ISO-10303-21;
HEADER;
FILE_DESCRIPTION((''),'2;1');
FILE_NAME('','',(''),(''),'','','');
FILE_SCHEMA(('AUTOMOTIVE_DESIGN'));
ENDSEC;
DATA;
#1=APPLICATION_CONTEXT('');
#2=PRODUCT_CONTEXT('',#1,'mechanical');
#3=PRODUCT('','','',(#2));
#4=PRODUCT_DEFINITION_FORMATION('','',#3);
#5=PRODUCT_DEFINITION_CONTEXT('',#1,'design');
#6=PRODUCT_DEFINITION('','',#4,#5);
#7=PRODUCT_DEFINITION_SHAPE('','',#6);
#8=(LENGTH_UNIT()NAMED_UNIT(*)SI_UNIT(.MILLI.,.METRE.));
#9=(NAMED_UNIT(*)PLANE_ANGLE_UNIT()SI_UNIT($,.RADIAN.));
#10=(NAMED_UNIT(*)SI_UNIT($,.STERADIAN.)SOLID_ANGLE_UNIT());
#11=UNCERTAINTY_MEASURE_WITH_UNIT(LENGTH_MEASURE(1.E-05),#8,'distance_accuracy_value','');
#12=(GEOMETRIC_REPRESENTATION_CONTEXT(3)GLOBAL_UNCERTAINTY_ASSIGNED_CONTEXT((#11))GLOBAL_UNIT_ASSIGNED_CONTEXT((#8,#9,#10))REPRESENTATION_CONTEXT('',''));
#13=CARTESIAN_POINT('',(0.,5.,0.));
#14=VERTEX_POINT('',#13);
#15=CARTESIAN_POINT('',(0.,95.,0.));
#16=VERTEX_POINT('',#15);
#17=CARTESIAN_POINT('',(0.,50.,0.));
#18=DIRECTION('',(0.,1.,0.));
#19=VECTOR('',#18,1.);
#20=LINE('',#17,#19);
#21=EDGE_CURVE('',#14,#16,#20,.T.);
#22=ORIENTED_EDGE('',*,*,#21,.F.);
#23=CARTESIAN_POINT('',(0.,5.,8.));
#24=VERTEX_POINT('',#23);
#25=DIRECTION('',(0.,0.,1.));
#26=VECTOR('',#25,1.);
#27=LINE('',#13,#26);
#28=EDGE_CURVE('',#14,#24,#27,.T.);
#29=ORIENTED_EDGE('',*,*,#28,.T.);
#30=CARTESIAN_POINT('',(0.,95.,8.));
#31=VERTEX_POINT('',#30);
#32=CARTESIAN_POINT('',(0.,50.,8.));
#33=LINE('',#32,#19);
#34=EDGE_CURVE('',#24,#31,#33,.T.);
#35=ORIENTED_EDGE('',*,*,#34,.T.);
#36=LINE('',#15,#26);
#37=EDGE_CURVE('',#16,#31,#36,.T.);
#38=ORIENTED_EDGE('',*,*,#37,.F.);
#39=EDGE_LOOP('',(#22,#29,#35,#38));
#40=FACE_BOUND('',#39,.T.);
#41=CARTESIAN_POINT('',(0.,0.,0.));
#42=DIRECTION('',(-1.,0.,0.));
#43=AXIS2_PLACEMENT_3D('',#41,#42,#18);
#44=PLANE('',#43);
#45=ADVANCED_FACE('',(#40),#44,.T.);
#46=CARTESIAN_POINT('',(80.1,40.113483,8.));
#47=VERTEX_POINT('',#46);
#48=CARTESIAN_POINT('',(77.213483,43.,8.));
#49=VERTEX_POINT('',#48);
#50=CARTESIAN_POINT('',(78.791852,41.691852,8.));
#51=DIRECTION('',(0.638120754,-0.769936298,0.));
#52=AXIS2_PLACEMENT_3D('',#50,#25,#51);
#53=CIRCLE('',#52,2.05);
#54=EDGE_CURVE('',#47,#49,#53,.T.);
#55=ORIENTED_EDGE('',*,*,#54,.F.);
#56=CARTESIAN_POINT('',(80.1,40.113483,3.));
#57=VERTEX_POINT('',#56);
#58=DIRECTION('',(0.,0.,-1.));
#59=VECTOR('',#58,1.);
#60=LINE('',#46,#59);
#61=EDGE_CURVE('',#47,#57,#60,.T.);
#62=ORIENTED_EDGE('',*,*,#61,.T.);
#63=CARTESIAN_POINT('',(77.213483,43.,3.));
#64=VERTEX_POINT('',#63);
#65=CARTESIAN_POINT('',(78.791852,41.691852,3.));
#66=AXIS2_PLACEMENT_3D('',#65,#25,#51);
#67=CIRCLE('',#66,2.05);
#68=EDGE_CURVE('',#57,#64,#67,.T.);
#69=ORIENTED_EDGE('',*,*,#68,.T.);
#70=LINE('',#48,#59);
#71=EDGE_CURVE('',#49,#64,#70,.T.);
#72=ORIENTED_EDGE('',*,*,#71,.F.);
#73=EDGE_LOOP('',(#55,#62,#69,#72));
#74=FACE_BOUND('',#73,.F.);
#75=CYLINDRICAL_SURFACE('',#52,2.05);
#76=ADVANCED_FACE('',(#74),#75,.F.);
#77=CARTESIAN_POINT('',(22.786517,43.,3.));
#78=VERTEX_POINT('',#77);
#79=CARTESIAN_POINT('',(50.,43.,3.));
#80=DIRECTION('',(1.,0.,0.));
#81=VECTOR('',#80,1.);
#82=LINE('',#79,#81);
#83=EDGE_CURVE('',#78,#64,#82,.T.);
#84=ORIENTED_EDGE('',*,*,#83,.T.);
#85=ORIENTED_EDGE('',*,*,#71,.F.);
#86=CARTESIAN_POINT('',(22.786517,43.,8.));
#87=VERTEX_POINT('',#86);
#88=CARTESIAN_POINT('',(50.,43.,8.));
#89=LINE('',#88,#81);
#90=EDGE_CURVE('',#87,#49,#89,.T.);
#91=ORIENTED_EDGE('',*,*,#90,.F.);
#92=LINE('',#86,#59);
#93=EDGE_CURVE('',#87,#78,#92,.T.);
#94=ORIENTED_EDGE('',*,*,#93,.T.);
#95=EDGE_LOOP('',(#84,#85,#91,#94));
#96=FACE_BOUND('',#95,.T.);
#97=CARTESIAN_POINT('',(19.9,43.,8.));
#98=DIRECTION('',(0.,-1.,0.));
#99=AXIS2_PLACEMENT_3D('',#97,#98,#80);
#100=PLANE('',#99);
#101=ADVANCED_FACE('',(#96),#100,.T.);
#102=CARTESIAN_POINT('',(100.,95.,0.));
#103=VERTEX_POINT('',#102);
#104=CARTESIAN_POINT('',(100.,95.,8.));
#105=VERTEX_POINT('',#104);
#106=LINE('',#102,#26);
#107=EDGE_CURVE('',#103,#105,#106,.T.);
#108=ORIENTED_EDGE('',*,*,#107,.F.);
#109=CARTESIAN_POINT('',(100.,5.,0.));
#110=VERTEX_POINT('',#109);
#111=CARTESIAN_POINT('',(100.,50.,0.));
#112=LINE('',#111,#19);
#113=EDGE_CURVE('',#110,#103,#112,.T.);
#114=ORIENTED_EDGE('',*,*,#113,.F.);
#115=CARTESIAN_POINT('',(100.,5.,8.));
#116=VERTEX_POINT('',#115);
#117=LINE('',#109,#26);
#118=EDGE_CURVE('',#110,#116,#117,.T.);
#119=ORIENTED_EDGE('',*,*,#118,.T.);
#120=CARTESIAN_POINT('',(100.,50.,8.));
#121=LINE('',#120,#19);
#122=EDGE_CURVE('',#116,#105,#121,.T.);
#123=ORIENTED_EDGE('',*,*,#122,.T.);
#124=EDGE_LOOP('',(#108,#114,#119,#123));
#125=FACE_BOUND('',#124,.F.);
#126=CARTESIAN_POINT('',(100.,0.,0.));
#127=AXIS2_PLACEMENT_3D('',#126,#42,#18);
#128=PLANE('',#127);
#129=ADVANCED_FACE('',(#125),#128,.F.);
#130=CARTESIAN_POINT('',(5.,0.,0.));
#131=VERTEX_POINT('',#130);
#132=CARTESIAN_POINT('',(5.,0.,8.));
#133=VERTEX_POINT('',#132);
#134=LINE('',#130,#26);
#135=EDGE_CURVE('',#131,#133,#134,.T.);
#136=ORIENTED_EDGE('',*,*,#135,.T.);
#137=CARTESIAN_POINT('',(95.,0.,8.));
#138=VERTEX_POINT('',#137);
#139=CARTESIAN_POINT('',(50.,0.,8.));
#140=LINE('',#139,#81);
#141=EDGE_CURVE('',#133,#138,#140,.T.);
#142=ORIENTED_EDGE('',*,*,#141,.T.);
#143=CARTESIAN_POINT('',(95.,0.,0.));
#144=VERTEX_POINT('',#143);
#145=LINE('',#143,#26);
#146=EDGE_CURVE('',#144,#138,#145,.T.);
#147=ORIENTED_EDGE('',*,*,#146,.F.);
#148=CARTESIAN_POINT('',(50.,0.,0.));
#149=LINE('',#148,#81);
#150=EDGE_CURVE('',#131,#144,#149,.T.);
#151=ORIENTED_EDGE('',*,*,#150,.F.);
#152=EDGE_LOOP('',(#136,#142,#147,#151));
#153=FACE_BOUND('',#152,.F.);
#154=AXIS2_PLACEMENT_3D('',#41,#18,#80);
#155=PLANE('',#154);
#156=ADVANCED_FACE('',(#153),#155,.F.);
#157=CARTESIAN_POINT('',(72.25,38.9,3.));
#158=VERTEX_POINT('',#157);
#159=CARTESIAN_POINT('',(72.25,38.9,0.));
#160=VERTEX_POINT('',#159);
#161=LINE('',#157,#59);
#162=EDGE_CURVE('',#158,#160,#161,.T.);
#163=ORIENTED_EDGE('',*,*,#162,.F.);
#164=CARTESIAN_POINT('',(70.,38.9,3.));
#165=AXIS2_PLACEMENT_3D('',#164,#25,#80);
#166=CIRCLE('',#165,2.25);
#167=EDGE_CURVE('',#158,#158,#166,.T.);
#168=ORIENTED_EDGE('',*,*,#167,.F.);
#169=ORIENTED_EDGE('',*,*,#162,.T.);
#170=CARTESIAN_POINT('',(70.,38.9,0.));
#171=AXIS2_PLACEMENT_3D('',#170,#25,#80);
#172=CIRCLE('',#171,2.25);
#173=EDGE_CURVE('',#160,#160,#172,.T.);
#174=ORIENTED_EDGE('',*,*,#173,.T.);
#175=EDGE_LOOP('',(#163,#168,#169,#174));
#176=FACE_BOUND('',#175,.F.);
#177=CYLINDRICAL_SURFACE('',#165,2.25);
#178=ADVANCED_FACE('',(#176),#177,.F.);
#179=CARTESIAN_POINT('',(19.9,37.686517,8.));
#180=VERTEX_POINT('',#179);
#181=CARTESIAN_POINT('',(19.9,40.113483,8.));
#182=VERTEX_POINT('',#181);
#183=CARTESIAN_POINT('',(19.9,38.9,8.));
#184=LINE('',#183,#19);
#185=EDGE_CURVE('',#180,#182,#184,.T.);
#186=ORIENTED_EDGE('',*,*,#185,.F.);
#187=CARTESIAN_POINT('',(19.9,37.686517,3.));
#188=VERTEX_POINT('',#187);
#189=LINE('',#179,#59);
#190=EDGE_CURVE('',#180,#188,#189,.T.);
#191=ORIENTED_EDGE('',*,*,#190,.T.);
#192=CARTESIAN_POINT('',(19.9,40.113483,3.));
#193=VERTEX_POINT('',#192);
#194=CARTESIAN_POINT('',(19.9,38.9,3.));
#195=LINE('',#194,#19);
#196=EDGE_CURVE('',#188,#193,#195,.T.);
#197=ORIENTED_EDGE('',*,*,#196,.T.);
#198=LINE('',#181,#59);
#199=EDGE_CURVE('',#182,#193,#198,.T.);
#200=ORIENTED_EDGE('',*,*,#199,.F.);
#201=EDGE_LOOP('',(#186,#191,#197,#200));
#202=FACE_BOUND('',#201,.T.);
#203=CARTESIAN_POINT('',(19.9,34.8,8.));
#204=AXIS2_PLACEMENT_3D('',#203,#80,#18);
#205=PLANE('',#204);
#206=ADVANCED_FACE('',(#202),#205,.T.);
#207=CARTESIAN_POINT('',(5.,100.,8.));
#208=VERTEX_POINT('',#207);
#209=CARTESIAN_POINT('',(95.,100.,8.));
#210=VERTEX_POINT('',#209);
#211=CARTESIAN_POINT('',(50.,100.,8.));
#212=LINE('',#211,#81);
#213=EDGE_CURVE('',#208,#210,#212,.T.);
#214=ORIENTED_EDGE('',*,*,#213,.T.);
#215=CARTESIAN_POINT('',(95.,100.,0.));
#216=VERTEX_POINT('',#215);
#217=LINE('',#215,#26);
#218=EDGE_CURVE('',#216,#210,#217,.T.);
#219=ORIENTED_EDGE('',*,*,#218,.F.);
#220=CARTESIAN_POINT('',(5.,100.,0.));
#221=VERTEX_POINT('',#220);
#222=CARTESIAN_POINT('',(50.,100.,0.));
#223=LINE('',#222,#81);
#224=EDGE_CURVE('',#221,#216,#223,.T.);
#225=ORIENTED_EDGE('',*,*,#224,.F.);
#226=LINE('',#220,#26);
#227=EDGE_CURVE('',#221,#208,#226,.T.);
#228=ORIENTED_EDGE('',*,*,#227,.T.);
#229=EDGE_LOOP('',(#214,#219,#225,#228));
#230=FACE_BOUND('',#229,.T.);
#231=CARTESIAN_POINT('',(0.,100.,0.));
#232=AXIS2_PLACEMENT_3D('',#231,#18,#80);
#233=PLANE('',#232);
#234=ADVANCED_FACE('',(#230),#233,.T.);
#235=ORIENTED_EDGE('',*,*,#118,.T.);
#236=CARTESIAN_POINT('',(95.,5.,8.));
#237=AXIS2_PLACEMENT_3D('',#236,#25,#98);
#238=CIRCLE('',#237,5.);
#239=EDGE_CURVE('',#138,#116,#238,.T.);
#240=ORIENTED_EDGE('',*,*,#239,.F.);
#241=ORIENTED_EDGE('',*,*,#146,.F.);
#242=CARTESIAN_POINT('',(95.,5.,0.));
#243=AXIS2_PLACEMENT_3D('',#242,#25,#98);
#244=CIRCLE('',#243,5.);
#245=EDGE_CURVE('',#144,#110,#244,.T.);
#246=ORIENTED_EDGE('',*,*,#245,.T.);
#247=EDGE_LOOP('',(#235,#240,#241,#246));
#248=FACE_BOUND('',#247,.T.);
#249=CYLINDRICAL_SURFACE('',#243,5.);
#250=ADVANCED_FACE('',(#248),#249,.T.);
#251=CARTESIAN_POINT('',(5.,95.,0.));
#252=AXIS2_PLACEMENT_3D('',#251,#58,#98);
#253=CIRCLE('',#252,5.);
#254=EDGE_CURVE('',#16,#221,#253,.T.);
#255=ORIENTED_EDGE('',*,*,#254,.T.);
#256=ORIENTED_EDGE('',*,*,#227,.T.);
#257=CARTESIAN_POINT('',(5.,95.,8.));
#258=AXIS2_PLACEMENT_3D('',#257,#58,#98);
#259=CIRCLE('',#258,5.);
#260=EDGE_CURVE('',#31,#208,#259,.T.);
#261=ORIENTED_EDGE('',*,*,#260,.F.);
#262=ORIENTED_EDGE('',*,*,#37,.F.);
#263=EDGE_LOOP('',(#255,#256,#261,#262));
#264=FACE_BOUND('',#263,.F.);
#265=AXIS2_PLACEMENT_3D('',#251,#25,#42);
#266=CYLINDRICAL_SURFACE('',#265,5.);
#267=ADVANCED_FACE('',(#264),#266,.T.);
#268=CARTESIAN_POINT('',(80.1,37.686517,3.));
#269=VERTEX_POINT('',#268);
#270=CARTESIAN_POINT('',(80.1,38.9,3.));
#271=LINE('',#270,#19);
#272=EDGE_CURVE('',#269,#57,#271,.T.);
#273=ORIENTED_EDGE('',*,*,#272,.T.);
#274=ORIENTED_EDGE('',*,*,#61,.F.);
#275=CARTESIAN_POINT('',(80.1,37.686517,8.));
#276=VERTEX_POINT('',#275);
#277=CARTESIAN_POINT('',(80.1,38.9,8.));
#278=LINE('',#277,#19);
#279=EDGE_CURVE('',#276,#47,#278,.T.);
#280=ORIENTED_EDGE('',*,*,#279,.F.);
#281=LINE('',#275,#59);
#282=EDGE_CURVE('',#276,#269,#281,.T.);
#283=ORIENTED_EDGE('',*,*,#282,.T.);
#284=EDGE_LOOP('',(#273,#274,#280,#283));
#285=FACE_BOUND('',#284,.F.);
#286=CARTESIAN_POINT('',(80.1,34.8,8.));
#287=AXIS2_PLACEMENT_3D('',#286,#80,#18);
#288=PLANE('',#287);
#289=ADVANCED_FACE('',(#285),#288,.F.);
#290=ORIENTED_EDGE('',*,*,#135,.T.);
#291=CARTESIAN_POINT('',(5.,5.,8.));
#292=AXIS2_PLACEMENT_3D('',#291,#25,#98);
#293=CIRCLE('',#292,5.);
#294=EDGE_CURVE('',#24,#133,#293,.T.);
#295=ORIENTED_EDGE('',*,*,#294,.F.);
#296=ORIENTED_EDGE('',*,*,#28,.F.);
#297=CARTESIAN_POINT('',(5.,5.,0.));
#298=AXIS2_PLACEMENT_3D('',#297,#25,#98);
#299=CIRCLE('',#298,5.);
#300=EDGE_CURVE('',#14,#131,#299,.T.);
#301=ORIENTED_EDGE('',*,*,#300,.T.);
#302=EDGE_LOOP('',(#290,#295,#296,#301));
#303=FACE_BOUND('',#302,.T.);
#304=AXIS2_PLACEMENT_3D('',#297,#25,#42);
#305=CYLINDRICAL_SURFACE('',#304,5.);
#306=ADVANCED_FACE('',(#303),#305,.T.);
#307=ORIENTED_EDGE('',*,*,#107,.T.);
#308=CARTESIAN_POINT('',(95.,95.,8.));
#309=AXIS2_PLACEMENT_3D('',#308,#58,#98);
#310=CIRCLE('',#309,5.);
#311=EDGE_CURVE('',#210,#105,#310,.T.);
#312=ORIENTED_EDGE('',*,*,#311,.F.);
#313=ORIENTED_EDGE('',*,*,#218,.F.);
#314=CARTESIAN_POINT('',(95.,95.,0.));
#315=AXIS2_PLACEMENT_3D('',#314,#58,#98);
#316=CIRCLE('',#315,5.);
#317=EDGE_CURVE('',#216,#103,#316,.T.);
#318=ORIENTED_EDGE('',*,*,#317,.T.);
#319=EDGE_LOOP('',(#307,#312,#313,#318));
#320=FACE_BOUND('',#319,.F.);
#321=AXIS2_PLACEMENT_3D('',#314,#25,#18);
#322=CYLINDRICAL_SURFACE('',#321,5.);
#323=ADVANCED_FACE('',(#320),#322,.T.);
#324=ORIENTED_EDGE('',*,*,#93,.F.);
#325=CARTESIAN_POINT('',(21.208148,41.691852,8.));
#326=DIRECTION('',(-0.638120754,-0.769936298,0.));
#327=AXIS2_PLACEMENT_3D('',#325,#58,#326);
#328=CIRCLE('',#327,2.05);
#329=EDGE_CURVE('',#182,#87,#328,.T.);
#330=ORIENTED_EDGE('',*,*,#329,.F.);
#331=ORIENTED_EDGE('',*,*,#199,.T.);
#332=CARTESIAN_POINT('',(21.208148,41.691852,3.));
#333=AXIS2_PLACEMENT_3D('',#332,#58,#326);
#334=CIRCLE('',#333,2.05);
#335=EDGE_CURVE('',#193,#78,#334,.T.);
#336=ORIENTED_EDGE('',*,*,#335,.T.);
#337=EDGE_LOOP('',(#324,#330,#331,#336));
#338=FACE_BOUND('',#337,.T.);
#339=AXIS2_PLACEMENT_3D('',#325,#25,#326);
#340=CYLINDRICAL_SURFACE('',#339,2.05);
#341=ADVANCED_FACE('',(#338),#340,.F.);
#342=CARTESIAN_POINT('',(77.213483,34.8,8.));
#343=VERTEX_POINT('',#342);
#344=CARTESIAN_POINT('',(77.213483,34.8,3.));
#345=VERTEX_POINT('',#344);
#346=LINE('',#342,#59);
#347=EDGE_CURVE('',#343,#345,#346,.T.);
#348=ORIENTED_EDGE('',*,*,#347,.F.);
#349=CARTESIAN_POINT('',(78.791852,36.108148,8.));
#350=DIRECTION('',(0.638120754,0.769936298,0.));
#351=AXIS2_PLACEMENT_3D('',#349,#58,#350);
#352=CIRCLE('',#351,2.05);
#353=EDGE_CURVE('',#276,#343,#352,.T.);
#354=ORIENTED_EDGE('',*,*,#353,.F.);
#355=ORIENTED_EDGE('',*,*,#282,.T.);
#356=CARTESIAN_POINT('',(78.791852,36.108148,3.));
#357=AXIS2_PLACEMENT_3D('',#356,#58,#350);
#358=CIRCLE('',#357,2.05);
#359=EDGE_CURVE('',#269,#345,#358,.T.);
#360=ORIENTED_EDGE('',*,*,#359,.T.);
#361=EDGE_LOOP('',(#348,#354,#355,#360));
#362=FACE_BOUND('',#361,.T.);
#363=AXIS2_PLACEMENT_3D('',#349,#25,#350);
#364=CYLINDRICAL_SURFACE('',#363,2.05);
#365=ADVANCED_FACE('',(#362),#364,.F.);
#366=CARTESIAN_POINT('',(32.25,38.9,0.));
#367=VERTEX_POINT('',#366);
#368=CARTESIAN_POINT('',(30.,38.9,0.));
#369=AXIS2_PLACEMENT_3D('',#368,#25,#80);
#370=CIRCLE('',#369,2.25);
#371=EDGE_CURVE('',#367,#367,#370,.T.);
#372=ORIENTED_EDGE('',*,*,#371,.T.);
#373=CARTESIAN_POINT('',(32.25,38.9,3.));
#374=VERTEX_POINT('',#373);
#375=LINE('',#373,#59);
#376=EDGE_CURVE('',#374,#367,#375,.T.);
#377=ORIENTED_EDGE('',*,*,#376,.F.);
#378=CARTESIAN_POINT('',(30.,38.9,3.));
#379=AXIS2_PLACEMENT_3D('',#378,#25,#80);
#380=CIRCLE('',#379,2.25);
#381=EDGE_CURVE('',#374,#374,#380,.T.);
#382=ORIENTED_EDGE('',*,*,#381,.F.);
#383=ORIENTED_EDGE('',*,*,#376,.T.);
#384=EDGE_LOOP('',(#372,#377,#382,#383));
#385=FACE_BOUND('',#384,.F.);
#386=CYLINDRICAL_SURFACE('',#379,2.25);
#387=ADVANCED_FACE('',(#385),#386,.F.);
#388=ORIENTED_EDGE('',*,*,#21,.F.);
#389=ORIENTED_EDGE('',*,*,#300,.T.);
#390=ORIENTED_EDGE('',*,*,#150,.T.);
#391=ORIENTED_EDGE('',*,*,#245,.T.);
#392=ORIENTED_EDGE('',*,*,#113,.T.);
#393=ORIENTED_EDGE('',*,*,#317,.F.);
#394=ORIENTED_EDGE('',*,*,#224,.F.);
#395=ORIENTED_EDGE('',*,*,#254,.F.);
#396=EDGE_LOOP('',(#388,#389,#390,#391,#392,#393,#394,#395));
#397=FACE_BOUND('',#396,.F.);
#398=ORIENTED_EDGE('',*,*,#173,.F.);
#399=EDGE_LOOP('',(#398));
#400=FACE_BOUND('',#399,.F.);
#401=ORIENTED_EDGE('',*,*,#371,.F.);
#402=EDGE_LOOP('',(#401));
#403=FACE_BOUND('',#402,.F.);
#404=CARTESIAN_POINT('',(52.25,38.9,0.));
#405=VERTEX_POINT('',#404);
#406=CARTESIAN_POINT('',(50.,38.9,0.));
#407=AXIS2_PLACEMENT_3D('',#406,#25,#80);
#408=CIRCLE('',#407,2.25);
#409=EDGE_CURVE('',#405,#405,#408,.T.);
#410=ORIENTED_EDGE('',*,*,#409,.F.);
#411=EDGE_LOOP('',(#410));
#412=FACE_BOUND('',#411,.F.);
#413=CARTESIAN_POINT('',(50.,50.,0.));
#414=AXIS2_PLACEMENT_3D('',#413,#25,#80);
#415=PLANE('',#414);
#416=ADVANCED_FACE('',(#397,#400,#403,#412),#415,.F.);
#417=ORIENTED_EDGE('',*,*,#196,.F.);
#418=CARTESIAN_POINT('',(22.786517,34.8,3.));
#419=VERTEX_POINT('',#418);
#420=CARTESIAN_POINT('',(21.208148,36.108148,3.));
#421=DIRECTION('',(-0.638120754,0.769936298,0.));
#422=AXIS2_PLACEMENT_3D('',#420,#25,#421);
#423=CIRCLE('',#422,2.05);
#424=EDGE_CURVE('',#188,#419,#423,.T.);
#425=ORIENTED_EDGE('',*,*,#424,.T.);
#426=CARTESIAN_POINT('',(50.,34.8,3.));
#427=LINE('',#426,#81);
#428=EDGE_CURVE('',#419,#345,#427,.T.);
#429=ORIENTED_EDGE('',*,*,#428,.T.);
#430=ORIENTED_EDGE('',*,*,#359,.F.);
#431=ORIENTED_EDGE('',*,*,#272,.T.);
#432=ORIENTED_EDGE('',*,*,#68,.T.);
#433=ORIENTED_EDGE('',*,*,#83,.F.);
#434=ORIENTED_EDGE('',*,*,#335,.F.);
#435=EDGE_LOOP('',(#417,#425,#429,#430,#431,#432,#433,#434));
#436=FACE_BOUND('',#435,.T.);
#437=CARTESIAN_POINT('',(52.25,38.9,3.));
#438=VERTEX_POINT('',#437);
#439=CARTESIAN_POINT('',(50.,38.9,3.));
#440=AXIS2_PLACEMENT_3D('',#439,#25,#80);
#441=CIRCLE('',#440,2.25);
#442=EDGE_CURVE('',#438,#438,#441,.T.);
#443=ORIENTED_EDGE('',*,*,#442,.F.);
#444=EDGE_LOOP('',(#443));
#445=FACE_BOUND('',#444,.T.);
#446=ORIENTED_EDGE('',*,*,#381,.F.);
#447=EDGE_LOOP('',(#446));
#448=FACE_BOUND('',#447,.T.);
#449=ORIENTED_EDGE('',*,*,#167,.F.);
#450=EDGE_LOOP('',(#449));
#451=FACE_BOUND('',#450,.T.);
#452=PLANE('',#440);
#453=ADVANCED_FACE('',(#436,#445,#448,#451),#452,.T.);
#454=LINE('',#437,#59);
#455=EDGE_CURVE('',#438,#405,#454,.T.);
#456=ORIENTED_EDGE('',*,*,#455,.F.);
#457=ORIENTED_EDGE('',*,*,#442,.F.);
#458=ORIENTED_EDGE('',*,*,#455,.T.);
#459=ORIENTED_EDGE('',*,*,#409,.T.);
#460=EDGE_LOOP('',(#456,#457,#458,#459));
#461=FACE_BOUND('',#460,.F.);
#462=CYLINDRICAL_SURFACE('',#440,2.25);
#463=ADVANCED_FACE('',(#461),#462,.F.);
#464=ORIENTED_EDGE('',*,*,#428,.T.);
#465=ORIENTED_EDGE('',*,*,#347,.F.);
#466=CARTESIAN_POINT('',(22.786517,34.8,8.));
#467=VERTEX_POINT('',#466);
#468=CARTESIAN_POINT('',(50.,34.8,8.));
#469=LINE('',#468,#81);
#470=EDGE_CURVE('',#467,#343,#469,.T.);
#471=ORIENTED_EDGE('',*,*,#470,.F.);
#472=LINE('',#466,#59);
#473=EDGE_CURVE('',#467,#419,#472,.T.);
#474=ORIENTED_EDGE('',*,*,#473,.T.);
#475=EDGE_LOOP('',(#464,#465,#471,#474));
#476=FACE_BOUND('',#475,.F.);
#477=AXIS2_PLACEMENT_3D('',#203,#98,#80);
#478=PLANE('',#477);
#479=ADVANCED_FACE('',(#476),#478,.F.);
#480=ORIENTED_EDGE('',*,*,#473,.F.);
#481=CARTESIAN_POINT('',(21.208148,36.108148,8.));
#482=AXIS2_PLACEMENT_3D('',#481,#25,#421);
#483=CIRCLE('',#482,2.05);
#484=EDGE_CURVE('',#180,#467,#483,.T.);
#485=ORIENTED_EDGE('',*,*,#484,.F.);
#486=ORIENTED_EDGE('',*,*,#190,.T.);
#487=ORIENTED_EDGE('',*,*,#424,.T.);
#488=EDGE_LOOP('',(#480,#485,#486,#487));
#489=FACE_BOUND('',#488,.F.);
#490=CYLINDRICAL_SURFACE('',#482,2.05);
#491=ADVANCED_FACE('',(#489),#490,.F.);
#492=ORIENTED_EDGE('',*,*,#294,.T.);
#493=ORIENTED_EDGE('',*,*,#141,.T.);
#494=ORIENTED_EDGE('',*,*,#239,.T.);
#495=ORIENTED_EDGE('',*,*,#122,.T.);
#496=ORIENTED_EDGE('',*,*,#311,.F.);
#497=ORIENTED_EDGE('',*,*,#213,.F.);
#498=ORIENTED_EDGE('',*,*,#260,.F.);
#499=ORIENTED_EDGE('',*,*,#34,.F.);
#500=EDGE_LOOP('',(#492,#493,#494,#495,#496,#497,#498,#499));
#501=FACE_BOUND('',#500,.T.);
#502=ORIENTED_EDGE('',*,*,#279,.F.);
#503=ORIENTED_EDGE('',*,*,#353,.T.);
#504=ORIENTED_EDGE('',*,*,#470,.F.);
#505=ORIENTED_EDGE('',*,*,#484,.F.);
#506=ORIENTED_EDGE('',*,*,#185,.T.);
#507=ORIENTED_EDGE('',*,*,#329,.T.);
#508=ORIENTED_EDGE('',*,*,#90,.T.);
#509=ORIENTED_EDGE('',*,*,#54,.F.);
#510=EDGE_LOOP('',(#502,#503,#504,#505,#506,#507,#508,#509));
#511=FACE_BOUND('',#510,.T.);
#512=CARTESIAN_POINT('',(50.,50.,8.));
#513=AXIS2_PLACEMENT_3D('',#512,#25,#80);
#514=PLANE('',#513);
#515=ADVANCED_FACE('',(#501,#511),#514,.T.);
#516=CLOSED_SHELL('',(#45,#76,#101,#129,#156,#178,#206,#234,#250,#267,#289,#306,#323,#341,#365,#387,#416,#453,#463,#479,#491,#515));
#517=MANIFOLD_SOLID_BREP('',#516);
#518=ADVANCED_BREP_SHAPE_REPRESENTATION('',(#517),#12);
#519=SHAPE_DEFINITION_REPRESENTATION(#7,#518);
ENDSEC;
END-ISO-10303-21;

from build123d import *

# Parameters (mm, degrees)
ESQUISSE1_W                  = 100
ESQUISSE1_H                  = 100
BOSS_EXTRU_1_DEPTH           = 8
ESQUISSE2_W                  = 60.2
ESQUISSE2_H                  = 8.2
ENL_V_MAT_EXTRU_1_DEPTH      = 5
CONG_1_R                     = 5
ENL_V_MAT_EXTRU_2_DEPTH      = 5
ESQUISSE4_R                  = 2.25
ENL_V_MAT_EXTRU_3_DEPTH      = 6
ENL_V_MAT_EXTRU_3_DEPTH_BACK = 4


with BuildPart() as part:
    # Esquisse1 → Boss.-Extru.1 (new body)
    with BuildSketch(Plane.XY):
        with Locations((50, 50)):
            Rectangle(ESQUISSE1_W, ESQUISSE1_H)
    extrude(amount=BOSS_EXTRU_1_DEPTH)

    # Esquisse2 → Enlèv. mat.-Extru.1 (cut)
    with BuildSketch(Plane.XY.offset(8)):
        with Locations((50, 38.9)):
            Rectangle(ESQUISSE2_W, ESQUISSE2_H)
    extrude(amount=-ENL_V_MAT_EXTRU_1_DEPTH, mode=Mode.SUBTRACT)

    # Congé1
    cong_1_edges = [part.edges().sort_by_distance(p)[0] for p in [
        (0, 100, 4),
        (100, 100, 4),
        (100, 0, 4),
        (0, 0, 4),
    ]]
    fillet(cong_1_edges, radius=CONG_1_R)

    # Esquisse3 → Enlèv. mat.-Extru.2 (cut)
    with BuildSketch(Plane.XY.offset(8)):
        with BuildLine():
            Line((77.213483043, 43), (80.1, 40.113483043))
            ThreePointArc((80.1, 40.113483043), (80.241421356, 43.141421356), (77.213483043, 43))
        make_face()
        with BuildLine():
            Line((77.213483043, 34.8), (80.1, 37.686516957))
            ThreePointArc((80.1, 37.686516957), (80.241421356, 34.658578644), (77.213483043, 34.8))
        make_face()
        with BuildLine():
            Line((22.786516957, 34.8), (19.9, 37.686516957))
            ThreePointArc((19.9, 37.686516957), (19.758578644, 34.658578644), (22.786516957, 34.8))
        make_face()
        with BuildLine():
            Line((22.786516957, 43), (19.9, 40.113483043))
            ThreePointArc((19.9, 40.113483043), (19.758578644, 43.141421356), (22.786516957, 43))
        make_face()
    extrude(amount=-ENL_V_MAT_EXTRU_2_DEPTH, mode=Mode.SUBTRACT)

    # Esquisse4 → Enlèv. mat.-Extru.3 (cut, two sides)
    with BuildSketch(Plane.XY.offset(3)) as enl_v_mat_extru_3_sk:
        with Locations((50, 38.9)):
            Circle(ESQUISSE4_R)
        with Locations((70, 38.9)):
            Circle(ESQUISSE4_R)
        with Locations((30, 38.9)):
            Circle(ESQUISSE4_R)
    extrude(amount=ENL_V_MAT_EXTRU_3_DEPTH, mode=Mode.SUBTRACT)
    extrude(enl_v_mat_extru_3_sk.sketch, amount=-ENL_V_MAT_EXTRU_3_DEPTH_BACK, mode=Mode.SUBTRACT)


solid = part.part
